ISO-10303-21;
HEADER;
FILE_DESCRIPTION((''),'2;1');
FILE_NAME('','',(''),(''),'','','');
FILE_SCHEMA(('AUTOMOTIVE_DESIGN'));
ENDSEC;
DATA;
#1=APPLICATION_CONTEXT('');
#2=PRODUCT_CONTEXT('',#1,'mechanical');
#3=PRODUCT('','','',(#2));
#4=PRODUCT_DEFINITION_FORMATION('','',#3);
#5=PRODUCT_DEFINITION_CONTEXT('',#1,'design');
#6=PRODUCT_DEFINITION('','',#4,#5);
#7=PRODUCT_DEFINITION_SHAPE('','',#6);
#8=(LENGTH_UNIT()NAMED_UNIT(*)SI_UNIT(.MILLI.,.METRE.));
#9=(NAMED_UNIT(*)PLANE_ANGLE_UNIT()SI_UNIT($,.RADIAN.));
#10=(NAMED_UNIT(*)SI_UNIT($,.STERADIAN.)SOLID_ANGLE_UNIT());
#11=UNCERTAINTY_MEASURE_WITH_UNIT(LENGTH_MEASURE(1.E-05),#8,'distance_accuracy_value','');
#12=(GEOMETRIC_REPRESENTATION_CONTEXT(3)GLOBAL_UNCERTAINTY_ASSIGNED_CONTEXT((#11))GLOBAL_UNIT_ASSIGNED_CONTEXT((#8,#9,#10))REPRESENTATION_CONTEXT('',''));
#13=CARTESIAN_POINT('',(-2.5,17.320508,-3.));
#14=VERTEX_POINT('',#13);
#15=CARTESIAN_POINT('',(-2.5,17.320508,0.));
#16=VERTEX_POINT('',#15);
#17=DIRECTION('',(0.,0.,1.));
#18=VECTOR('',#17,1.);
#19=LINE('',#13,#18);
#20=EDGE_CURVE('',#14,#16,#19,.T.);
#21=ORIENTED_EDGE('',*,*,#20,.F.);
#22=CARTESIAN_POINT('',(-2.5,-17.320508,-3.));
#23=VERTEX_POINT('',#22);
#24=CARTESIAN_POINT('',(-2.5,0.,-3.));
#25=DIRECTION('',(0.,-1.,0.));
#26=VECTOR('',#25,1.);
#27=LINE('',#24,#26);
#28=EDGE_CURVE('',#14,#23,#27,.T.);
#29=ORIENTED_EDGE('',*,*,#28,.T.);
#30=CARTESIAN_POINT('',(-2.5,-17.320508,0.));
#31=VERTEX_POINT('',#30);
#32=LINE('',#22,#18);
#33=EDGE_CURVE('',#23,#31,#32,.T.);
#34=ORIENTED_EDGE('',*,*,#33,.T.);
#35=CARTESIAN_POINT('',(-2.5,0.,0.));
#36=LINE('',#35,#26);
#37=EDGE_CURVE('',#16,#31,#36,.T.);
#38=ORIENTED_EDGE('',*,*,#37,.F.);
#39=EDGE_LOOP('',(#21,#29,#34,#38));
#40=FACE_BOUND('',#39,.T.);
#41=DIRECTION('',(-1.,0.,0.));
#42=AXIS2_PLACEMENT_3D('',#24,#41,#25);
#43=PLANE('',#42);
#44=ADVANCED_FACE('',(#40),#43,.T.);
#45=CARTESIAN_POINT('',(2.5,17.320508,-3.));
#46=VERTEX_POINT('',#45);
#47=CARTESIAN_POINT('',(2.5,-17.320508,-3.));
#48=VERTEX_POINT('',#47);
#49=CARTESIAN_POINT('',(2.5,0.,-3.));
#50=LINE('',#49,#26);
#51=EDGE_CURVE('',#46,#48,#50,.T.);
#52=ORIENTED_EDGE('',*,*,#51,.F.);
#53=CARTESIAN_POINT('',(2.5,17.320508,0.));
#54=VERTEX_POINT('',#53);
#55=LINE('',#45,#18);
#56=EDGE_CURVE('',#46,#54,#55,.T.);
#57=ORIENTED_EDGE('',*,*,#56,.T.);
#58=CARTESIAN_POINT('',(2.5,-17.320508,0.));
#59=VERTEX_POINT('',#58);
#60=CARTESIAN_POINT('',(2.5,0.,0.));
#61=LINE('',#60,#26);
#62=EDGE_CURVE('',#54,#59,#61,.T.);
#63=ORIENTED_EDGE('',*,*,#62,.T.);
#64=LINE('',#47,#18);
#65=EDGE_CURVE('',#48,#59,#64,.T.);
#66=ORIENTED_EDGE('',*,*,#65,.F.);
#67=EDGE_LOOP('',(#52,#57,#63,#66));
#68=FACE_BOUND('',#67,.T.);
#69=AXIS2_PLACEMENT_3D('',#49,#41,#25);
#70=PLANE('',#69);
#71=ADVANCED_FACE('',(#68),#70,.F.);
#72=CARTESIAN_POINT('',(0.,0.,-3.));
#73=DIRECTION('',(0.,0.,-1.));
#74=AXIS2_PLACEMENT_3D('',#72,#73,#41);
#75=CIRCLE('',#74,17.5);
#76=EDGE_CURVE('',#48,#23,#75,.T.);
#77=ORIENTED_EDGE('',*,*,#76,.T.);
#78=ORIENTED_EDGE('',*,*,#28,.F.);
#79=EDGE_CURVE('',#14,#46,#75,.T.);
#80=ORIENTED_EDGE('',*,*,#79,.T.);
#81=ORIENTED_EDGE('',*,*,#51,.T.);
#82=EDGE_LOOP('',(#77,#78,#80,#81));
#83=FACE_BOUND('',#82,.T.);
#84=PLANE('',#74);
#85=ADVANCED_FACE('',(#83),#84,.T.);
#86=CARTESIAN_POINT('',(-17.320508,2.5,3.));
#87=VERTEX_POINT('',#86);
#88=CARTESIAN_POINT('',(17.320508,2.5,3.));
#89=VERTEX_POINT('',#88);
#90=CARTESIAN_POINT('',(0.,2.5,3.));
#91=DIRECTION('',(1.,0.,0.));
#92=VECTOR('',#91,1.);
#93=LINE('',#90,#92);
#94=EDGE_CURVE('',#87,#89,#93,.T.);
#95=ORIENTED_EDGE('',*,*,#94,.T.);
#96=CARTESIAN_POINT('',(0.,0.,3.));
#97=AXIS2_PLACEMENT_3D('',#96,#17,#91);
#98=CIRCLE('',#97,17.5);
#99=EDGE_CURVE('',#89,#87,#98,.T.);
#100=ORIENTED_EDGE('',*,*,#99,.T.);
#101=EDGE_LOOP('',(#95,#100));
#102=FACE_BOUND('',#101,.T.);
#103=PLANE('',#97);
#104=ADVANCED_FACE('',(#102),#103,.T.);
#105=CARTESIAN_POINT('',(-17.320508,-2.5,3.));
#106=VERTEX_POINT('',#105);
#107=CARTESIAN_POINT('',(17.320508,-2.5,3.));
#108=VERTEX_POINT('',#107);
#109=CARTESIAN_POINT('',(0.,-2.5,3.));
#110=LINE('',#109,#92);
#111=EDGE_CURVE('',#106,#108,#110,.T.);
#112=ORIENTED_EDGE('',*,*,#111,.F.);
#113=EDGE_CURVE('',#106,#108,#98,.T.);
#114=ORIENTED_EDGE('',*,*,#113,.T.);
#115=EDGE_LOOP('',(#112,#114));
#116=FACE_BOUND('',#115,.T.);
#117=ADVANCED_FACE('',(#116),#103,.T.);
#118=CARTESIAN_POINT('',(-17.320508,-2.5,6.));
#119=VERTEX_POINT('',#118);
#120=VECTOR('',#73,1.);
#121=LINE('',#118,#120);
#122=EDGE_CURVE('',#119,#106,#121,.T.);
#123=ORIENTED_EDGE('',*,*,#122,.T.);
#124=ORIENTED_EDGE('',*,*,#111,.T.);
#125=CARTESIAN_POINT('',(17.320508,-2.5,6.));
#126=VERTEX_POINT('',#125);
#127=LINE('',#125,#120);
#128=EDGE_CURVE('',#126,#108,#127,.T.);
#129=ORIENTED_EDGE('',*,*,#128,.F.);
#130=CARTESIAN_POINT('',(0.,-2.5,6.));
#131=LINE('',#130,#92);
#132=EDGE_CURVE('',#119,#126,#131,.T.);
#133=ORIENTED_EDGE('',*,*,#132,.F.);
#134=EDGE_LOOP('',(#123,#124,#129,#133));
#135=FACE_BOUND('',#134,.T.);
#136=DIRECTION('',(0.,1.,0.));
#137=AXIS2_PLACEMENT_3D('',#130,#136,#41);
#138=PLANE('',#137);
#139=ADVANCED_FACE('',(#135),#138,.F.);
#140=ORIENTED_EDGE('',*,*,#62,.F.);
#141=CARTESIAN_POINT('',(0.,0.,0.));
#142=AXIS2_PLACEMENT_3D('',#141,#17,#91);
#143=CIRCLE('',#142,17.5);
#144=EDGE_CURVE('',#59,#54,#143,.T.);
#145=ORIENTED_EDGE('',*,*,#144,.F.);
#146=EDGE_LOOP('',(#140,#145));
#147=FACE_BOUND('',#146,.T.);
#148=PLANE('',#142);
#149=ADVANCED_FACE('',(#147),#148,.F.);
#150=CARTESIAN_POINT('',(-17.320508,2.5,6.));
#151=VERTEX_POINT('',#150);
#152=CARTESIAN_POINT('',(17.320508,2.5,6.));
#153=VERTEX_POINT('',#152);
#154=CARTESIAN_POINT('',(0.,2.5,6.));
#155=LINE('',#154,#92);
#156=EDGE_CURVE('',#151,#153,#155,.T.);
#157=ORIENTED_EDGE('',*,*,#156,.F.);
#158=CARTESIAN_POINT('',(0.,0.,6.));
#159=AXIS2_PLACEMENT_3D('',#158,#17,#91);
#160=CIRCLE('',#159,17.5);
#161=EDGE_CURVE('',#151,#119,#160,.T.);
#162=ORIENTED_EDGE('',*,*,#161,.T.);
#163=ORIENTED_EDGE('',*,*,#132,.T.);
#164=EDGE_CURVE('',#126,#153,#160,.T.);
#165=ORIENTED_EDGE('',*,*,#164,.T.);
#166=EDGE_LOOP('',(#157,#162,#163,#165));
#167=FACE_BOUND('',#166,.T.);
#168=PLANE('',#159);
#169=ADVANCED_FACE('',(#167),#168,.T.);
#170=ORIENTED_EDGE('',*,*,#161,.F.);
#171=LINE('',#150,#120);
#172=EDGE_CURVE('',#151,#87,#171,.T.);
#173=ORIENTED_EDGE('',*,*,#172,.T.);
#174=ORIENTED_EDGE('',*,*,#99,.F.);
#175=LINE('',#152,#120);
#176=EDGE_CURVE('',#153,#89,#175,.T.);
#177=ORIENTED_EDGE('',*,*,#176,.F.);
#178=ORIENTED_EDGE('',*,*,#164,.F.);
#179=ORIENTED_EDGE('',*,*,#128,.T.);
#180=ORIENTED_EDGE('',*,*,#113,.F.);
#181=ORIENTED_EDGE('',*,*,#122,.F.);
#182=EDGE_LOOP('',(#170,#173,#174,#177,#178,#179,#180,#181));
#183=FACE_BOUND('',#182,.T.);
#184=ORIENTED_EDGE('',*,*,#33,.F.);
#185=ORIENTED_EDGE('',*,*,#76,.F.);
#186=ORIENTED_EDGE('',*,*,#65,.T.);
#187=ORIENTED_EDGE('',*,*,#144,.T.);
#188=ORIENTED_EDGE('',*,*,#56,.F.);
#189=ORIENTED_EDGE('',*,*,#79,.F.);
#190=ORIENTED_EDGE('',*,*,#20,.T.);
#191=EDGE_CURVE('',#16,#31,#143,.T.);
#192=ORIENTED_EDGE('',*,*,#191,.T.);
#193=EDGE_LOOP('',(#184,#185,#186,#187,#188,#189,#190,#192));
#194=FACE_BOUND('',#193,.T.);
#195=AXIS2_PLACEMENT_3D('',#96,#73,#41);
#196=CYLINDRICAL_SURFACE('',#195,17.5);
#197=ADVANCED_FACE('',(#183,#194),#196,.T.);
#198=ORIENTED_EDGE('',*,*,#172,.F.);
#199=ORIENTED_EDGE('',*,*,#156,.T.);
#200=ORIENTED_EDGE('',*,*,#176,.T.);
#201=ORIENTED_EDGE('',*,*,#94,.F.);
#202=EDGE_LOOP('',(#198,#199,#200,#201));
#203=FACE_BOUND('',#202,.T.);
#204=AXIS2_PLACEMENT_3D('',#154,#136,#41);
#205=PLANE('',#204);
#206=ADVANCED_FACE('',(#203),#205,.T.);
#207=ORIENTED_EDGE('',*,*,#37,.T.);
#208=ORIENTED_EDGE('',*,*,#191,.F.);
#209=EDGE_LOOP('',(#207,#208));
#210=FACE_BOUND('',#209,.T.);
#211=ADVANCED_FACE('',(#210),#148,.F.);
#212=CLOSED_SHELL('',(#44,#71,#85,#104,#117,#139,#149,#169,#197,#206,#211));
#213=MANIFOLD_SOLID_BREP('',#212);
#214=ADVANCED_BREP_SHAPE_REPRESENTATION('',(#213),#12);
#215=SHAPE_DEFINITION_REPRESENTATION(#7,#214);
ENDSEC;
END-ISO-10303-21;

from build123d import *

# Parameters (mm, degrees)
SKETCH1_R           = 17.5
BOSS_EXTRUDE1_DEPTH = 3
BOSS_EXTRUDE2_DEPTH = 3
BOSS_EXTRUDE3_DEPTH = 3


with BuildPart() as part:
    # Sketch1 → Boss-Extrude1 (new body)
    with BuildSketch(Plane.XY):
        Circle(SKETCH1_R)
    extrude(amount=BOSS_EXTRUDE1_DEPTH)

    # Sketch2 → Boss-Extrude2 (add)
    with BuildSketch(Plane.XY.offset(3)):
        with BuildLine():
            Line((0, 2.5), (-17.320508076, 2.5))
            ThreePointArc((-17.320508076, 2.5), (-17.5, 0), (-17.320508076, -2.5))
            Line((-17.320508076, -2.5), (0, -2.5))
            Line((0, -2.5), (0, 2.5))
        make_face()
        with BuildLine():
            Line((17.320508076, 2.5), (0, 2.5))
            Line((0, 2.5), (0, -2.5))
            Line((0, -2.5), (17.320508076, -2.5))
            ThreePointArc((17.320508076, -2.5), (17.45506934, -1.253217594), (17.5, 0))
            ThreePointArc((17.5, 0), (17.45506934, 1.253217594), (17.320508076, 2.5))
        make_face()
    extrude(amount=BOSS_EXTRUDE2_DEPTH)

    # Sketch3 → Boss-Extrude3 (add)
    with BuildSketch(Plane(origin=(0, 0, 0), x_dir=(-1, 0, 0), z_dir=(0, 0, -1))):
        with BuildLine():
            ThreePointArc((0, 17.5), (-1.253217594, 17.45506934), (-2.5, 17.320508076))
            Line((-2.5, 17.320508076), (-2.5, -17.320508076))
            ThreePointArc((-2.5, -17.320508076), (-1.253217594, -17.45506934), (0, -17.5))
            Line((0, -17.5), (0, 17.5))
        make_face()
        with BuildLine():
            ThreePointArc((2.5, 17.320508076), (1.253217594, 17.45506934), (0, 17.5))
            Line((0, 17.5), (0, -17.5))
            ThreePointArc((0, -17.5), (1.253217594, -17.45506934), (2.5, -17.320508076))
            Line((2.5, -17.320508076), (2.5, 17.320508076))
        make_face()
    extrude(amount=BOSS_EXTRUDE3_DEPTH)


solid = part.part
